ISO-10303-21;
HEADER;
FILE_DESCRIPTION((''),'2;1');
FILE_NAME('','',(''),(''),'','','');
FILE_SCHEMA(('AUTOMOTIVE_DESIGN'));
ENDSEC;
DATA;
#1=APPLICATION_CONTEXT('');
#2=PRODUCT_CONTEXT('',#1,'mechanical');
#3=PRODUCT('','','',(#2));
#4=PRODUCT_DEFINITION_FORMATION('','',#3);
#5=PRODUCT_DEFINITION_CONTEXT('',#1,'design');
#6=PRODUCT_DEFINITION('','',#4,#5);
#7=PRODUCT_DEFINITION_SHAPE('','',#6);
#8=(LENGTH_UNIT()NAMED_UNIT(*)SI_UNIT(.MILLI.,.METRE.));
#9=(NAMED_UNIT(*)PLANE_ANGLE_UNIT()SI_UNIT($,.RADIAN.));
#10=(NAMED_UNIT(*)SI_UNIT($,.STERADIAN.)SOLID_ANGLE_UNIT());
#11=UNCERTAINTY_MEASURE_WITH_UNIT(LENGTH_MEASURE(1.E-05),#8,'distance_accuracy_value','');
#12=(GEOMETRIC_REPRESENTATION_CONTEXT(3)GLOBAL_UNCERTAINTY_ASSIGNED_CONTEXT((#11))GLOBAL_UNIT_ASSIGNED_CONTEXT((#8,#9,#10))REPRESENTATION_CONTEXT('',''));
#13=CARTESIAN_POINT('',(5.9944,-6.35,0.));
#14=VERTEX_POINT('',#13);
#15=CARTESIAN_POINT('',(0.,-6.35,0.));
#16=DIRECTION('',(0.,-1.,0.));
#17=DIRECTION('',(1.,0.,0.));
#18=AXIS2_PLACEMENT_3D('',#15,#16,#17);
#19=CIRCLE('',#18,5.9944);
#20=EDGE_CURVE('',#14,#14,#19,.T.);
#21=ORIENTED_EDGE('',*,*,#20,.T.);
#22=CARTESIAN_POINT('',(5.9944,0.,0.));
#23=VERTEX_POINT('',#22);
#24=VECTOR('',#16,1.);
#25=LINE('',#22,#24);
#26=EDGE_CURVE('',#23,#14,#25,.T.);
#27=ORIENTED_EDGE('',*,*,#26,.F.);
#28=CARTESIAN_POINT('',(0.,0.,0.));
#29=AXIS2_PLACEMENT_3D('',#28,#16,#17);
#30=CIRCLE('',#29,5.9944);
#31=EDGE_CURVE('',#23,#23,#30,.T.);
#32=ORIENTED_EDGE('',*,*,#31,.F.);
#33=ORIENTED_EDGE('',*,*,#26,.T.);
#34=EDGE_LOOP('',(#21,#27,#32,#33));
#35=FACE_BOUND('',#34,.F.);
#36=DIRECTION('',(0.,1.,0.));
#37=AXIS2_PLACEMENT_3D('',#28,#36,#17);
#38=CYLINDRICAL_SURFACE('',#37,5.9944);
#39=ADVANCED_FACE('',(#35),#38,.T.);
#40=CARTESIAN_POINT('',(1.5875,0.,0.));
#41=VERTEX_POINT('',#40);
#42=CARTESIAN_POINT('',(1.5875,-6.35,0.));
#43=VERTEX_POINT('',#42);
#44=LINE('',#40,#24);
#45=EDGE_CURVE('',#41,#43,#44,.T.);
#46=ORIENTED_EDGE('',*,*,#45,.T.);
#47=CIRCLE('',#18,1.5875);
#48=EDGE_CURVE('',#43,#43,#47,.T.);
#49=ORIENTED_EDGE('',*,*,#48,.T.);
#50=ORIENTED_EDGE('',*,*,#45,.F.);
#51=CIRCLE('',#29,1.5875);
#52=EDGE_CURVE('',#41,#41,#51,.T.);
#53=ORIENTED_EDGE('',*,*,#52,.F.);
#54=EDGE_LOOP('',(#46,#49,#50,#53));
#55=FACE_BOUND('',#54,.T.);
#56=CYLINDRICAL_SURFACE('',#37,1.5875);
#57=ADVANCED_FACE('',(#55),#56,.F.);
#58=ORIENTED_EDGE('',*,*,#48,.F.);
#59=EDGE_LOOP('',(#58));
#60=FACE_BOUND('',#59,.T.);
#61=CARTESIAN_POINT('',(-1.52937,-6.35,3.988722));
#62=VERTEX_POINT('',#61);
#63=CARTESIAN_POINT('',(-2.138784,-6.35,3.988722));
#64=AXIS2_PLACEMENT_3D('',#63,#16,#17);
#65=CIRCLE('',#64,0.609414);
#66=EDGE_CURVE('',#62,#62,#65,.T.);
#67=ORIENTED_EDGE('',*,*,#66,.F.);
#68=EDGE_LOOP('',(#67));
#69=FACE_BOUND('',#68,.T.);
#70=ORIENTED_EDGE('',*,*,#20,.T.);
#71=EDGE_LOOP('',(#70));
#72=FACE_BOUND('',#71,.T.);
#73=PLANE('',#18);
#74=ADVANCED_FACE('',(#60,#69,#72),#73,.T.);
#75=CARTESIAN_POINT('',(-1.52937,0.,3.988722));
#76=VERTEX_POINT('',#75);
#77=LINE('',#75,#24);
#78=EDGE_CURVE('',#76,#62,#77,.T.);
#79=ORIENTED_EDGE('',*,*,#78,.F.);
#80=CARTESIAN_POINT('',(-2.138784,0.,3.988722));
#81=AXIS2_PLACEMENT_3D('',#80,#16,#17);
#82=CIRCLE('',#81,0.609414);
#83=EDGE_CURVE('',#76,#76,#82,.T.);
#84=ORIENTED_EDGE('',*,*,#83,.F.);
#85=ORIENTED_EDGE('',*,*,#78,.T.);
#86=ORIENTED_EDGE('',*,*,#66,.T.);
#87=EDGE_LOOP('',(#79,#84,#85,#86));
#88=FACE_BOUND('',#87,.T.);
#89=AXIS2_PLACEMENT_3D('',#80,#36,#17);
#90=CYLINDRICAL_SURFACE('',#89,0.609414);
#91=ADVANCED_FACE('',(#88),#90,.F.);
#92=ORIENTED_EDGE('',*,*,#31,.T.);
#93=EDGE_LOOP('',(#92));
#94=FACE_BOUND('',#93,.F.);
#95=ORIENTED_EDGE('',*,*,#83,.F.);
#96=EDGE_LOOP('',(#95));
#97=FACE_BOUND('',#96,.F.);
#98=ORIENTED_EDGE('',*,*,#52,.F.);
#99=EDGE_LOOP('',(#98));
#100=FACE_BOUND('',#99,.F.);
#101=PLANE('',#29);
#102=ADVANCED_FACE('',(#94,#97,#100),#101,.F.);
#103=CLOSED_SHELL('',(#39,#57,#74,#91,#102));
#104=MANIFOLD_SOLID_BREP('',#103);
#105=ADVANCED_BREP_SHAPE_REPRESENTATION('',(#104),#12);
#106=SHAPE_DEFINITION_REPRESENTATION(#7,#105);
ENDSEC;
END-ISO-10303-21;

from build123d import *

# Parameters (mm, degrees)
F0_R     = 5.9944
F0_R_2   = 1.5875
F0_R_3   = 0.609414
F1_DEPTH = 6.35


with BuildPart() as f1:
    # F0 (on Front) → F1 (new body)
    with BuildSketch(Plane.XZ):
        Circle(F0_R)
        Circle(F0_R_2, mode=Mode.SUBTRACT)
        with Locations((-2.138784, 3.988722)):
            Circle(F0_R_3, mode=Mode.SUBTRACT)
    extrude(amount=F1_DEPTH)


solid = f1.part
